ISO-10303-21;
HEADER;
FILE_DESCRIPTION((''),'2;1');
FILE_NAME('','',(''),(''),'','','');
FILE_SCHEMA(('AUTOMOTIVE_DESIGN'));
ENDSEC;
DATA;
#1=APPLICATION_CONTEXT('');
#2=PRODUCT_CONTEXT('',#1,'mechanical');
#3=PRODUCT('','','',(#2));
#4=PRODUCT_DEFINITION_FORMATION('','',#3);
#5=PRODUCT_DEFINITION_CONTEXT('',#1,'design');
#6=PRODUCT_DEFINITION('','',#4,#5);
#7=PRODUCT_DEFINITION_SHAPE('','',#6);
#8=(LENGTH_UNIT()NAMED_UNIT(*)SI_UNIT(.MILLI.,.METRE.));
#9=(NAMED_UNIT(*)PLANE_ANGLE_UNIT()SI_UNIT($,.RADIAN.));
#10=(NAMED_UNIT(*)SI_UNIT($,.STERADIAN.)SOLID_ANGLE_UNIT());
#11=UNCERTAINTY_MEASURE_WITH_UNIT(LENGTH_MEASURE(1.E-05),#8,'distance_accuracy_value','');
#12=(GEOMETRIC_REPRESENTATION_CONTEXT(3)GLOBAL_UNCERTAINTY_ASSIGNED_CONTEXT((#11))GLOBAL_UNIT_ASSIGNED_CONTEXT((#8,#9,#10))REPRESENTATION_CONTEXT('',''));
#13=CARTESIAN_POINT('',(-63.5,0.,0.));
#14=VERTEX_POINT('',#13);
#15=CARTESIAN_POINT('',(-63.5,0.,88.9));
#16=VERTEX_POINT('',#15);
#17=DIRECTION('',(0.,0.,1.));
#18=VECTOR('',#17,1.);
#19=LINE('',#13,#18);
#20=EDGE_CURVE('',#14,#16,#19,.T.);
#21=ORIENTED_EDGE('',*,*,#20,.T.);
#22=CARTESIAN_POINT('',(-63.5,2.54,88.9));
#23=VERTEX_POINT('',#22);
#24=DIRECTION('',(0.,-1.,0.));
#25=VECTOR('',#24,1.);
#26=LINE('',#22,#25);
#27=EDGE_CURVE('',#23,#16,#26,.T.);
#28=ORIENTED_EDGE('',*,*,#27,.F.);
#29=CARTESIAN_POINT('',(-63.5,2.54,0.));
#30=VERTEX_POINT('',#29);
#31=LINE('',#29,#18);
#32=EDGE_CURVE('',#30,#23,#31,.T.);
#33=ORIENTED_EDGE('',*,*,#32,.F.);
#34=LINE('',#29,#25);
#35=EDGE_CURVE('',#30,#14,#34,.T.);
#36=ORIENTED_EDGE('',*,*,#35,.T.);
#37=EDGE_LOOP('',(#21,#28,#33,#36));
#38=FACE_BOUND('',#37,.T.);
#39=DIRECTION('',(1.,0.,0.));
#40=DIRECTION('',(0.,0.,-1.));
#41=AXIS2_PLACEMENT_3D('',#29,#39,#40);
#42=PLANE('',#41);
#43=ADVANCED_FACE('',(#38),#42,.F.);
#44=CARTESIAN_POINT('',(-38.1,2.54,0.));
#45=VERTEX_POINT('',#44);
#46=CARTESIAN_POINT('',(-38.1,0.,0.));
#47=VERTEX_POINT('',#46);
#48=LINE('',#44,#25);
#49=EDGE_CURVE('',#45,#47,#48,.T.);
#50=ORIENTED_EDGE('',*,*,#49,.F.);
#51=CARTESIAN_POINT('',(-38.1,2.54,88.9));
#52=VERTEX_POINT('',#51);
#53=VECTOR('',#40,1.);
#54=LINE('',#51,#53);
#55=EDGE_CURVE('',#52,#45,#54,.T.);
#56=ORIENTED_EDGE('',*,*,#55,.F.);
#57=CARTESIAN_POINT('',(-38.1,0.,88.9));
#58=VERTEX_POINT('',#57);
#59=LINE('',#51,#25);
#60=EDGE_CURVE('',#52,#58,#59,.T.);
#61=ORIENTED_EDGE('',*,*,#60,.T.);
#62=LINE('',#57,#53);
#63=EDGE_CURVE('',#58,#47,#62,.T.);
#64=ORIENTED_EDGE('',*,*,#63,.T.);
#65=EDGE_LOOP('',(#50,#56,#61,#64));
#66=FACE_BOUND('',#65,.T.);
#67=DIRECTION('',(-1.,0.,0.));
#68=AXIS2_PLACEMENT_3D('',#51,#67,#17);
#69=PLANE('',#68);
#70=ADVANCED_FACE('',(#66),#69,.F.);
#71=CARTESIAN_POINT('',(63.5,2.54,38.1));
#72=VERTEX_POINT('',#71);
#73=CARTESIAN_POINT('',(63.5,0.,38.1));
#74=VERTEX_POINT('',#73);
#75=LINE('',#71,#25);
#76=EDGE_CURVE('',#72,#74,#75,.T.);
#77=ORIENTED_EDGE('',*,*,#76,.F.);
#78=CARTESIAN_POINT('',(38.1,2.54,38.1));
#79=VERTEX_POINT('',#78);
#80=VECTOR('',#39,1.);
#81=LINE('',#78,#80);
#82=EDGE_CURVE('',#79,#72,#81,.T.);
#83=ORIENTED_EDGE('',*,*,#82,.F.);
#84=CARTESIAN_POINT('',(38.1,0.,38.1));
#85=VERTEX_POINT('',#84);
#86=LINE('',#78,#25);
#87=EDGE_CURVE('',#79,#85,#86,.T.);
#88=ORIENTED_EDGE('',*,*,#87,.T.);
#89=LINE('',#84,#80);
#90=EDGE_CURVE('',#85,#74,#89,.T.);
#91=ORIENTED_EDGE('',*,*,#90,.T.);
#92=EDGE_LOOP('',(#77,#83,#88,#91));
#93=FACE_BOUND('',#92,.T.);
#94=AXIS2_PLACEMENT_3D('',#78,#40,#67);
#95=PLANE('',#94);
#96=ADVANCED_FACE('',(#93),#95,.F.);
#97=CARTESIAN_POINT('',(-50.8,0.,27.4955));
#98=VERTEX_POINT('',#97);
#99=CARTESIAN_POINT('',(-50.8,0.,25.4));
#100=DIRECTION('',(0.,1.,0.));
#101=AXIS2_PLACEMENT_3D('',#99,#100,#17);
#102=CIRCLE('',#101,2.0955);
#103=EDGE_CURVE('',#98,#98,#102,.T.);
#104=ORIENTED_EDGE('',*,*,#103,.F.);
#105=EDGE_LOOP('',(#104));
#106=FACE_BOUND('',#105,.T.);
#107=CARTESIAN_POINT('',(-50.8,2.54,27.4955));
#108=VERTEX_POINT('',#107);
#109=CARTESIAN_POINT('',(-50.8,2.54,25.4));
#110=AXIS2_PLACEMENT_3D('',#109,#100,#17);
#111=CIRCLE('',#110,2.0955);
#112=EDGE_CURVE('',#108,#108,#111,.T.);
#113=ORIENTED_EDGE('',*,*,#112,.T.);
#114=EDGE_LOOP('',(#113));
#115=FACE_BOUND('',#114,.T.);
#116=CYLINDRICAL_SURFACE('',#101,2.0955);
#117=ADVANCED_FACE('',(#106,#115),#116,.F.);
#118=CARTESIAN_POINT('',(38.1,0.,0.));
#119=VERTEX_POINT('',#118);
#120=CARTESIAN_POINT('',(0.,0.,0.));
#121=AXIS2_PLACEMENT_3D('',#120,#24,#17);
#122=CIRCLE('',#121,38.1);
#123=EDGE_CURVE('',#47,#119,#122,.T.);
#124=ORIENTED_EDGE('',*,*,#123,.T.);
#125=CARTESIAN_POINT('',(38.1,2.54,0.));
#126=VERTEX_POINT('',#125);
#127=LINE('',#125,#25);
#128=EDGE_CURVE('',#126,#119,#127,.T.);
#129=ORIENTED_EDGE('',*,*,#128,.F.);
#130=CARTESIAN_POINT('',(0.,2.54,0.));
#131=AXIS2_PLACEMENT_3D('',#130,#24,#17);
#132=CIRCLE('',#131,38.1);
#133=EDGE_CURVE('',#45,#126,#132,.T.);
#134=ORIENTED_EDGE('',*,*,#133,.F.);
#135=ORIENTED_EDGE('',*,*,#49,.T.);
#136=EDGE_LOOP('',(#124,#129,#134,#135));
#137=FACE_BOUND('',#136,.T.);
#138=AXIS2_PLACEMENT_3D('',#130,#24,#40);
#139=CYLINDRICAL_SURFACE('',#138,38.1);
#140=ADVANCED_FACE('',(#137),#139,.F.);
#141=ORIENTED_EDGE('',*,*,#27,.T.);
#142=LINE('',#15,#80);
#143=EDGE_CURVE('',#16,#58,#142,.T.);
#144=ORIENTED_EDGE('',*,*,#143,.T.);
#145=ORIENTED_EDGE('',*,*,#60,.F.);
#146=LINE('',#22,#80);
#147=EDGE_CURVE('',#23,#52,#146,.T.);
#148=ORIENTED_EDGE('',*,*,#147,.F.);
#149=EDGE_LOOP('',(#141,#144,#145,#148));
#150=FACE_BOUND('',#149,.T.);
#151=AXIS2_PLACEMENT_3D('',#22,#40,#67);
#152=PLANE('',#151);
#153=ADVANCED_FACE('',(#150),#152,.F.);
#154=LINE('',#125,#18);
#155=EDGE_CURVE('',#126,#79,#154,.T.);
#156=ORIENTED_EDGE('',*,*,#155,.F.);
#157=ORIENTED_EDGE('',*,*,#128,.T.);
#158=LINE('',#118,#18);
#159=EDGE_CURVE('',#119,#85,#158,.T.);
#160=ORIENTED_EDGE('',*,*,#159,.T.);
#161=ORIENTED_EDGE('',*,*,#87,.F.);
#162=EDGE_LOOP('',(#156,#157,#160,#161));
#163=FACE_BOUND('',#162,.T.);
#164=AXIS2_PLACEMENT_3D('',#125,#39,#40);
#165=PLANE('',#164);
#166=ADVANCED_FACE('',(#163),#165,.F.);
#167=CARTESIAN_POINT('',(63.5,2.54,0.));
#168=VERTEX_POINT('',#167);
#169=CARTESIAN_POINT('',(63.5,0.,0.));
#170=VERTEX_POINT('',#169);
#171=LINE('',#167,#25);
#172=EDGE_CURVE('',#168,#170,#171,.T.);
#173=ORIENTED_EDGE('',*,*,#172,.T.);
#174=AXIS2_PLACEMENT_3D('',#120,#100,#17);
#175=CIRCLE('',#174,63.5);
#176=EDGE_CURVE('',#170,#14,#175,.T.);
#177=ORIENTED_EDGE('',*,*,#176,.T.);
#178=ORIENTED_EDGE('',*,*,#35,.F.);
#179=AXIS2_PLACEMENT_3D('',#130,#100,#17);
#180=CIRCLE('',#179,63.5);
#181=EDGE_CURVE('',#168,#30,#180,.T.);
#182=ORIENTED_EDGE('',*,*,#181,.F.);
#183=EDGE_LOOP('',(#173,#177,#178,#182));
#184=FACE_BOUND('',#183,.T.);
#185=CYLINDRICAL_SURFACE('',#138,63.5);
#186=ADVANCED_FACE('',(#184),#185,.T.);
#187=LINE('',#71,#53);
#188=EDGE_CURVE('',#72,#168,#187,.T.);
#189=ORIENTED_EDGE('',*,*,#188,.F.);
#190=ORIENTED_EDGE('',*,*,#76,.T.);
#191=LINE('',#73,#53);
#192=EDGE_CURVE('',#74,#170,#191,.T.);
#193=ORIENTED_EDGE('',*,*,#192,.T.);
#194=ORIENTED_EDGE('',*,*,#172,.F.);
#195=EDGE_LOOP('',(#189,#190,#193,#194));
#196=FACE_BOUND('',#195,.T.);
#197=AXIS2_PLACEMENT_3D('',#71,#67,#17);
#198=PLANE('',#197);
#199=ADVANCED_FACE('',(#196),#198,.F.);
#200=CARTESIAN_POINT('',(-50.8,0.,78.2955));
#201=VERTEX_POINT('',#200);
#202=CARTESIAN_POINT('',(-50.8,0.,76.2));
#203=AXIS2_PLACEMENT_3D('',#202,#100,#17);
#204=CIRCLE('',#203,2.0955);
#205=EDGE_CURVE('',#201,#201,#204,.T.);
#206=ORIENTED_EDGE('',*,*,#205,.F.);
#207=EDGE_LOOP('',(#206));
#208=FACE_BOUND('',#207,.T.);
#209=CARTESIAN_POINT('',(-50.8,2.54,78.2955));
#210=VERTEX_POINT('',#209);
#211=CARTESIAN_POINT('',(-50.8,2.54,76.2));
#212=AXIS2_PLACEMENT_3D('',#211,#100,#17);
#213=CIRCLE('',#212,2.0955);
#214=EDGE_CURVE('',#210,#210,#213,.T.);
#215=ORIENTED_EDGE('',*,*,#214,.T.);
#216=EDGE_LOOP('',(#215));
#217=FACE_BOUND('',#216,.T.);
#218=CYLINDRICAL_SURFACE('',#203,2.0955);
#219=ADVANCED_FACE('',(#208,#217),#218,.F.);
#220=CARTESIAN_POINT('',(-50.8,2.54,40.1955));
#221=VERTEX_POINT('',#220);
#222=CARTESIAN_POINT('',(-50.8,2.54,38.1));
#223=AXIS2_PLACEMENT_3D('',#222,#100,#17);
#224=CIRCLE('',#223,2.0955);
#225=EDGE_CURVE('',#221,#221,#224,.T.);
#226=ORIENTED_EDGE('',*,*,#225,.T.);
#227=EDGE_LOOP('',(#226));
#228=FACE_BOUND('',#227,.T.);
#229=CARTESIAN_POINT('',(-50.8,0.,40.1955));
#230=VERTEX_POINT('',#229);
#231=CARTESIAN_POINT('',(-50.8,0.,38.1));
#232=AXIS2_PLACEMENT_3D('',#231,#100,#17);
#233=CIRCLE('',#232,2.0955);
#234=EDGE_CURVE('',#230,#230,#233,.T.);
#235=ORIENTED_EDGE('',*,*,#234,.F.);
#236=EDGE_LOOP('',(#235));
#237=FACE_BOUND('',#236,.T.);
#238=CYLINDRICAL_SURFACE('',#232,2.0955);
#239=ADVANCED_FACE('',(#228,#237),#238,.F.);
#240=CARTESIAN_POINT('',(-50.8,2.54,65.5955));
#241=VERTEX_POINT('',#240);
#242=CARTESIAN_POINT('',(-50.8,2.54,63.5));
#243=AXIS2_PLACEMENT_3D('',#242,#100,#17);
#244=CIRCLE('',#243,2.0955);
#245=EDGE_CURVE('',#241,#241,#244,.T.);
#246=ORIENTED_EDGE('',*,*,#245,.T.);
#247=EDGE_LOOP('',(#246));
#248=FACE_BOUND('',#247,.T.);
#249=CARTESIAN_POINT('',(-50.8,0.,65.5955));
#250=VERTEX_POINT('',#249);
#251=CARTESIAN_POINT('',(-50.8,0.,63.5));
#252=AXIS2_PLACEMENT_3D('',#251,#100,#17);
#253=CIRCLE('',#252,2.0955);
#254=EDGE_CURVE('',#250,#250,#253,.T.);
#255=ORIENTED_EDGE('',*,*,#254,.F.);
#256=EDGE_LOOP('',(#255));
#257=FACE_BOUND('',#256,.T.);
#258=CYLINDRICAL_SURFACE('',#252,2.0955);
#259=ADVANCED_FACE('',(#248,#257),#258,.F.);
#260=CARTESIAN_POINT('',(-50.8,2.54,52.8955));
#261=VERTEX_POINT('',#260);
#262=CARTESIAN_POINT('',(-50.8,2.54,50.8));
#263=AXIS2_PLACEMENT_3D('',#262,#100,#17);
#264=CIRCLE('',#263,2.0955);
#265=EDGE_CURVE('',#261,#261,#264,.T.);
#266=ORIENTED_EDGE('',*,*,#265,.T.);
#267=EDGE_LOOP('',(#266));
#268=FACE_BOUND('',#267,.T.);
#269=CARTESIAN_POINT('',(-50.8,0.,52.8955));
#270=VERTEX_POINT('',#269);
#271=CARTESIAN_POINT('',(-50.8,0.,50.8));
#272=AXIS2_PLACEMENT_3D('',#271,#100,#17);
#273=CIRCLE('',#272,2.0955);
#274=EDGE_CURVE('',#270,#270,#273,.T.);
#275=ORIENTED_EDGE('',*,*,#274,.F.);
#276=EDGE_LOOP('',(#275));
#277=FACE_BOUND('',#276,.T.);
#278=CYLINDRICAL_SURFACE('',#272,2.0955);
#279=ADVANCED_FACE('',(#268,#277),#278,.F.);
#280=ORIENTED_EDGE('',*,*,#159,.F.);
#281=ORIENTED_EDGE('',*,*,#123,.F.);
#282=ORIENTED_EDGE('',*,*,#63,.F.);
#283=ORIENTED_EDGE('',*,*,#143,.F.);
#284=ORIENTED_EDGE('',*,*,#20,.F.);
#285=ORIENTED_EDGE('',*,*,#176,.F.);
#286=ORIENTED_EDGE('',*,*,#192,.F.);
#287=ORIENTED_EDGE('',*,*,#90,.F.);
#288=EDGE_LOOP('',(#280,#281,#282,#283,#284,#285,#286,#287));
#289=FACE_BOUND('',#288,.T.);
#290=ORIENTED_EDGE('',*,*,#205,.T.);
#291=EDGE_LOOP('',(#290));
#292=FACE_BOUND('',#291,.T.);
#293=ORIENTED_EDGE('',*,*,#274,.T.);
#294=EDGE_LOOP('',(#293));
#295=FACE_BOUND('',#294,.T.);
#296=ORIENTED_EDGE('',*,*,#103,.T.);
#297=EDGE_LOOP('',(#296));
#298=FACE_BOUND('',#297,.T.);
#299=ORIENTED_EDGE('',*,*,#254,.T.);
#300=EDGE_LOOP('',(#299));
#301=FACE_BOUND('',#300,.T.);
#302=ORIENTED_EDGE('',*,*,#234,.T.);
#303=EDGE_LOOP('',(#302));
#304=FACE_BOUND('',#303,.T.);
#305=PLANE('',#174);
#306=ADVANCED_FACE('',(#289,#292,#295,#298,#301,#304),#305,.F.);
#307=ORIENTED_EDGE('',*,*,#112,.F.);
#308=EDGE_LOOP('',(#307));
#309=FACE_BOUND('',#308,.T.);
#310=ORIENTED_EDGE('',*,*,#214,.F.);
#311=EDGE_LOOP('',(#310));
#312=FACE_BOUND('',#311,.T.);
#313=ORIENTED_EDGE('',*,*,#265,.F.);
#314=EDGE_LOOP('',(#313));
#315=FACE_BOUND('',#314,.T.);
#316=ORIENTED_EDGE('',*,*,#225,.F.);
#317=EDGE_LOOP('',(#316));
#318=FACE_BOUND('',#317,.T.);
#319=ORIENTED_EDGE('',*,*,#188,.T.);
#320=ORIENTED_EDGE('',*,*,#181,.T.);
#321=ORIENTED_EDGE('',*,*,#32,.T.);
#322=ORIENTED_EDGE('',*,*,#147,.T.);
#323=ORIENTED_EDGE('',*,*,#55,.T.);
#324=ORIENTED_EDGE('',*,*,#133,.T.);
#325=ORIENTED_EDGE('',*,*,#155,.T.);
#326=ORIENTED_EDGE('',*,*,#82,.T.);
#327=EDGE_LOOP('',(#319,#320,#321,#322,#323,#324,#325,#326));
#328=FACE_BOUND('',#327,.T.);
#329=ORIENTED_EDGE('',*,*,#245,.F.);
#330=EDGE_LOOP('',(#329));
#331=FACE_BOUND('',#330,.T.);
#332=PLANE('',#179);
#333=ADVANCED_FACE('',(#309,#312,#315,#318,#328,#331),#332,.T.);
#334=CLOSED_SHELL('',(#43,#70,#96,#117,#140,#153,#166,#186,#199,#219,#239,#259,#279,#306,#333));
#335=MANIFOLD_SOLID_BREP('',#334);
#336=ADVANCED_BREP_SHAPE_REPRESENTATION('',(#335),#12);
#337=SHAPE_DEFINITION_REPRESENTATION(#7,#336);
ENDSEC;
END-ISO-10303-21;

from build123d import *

# Parameters (mm, degrees)
BOSS_EXTRUDE1_DEPTH = 2.54
SKETCH2_R           = 2.0955
CUT_EXTRUDE1_DEPTH  = 110.279053803


with BuildPart() as part:
    # Sketch1 → Boss-Extrude1 (new body)
    with BuildSketch(Plane(origin=(0, 0, 0), x_dir=(1, 0, 0), z_dir=(0, 1, 0))):
        with BuildLine():
            Line((-38.1, -88.9), (-38.1, 0))
            ThreePointArc((-38.1, 0), (0, 38.1), (38.1, 0))
            Line((38.1, 0), (38.1, -38.1))
            Line((38.1, -38.1), (63.5, -38.1))
            Line((63.5, -38.1), (63.5, 0))
            ThreePointArc((63.5, 0), (0, 63.5), (-63.5, 0))
            Line((-63.5, 0), (-63.5, -88.9))
            Line((-63.5, -88.9), (-38.1, -88.9))
        make_face()
    extrude(amount=BOSS_EXTRUDE1_DEPTH)

    # Sketch2 → Cut-Extrude1 (cut, through all)
    with BuildSketch(Plane(origin=(0, 2.54, 0), x_dir=(1, 0, 0), z_dir=(0, 1, 0))):
        with Locations(Location((-50.8, -76.2, 0), (0, 0, 270))):
            Circle(SKETCH2_R)
        with Locations(Location((-50.8, -63.5, 0), (0, 0, 270))):
            Circle(SKETCH2_R)
        with Locations(Location((-50.8, -50.8, 0), (0, 0, 270))):
            Circle(SKETCH2_R)
        with Locations(Location((-50.8, -38.1, 0), (0, 0, 270))):
            Circle(SKETCH2_R)
        with Locations(Location((-50.8, -25.4, 0), (0, 0, 270))):
            Circle(SKETCH2_R)
    extrude(amount=-CUT_EXTRUDE1_DEPTH, mode=Mode.SUBTRACT)


solid = part.part
